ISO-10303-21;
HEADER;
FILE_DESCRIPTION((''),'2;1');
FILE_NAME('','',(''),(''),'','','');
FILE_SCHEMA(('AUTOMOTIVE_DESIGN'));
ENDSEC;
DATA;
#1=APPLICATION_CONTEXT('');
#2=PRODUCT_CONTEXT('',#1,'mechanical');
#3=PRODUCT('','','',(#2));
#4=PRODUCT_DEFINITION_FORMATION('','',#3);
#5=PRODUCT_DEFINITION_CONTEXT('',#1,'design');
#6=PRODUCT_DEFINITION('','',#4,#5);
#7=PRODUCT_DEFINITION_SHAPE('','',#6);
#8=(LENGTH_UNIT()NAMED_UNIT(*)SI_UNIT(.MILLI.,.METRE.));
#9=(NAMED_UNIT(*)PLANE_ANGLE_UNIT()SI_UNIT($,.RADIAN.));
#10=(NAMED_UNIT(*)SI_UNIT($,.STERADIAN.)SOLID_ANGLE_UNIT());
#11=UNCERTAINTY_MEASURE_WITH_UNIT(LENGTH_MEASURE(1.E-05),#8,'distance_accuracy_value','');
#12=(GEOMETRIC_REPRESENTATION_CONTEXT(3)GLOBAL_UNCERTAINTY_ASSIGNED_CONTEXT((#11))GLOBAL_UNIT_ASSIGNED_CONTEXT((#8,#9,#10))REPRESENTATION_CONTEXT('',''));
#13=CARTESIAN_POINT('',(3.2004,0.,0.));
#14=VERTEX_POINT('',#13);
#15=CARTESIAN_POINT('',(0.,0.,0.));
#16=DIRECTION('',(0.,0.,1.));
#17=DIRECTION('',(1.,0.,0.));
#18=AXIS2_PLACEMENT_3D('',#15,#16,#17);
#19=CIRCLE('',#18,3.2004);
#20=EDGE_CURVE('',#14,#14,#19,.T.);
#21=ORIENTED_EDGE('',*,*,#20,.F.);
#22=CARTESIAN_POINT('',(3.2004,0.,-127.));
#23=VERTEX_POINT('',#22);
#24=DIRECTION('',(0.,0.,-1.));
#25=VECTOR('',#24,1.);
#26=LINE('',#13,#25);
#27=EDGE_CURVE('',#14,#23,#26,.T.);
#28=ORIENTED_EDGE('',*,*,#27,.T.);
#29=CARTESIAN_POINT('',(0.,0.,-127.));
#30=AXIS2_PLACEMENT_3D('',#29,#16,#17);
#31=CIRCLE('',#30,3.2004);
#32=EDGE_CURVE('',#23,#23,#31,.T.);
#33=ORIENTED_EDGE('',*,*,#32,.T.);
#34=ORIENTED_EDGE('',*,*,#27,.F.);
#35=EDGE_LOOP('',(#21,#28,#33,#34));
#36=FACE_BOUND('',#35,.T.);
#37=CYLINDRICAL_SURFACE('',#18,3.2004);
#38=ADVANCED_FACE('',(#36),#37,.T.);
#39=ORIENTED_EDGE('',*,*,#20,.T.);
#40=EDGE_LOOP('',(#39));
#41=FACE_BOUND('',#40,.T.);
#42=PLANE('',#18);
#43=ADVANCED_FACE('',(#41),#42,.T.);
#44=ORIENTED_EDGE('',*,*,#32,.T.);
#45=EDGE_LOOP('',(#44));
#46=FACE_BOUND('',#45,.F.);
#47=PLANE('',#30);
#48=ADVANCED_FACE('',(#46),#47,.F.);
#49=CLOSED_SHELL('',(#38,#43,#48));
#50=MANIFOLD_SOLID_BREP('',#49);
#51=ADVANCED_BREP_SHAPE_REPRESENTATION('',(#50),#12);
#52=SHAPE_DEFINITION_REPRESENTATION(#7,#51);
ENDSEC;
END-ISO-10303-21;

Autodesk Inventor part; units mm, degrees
ref_plane "YZ Plane" through (0, 0, 0) normal (1, 0, 0) x (0, 1, 0)
ref_plane "XZ Plane" through (0, 0, 0) normal (0, 1, 0) x (-1, 0, 0)
ref_plane "XY Plane" through (0, 0, 0) normal (0, 0, 1) x (1, 0, 0)
sketch "Sketch1" plane through (0, 0, 0) normal (0, 0, 1) x (1, 0, 0)
  circle A0 centre (0, 0) radius 3.2004
  dimension "d0" = 6.4008
extrude "Extrusion1" add sketch "Sketch1" against normal blind 127
properties part number "new rotary shaft"
